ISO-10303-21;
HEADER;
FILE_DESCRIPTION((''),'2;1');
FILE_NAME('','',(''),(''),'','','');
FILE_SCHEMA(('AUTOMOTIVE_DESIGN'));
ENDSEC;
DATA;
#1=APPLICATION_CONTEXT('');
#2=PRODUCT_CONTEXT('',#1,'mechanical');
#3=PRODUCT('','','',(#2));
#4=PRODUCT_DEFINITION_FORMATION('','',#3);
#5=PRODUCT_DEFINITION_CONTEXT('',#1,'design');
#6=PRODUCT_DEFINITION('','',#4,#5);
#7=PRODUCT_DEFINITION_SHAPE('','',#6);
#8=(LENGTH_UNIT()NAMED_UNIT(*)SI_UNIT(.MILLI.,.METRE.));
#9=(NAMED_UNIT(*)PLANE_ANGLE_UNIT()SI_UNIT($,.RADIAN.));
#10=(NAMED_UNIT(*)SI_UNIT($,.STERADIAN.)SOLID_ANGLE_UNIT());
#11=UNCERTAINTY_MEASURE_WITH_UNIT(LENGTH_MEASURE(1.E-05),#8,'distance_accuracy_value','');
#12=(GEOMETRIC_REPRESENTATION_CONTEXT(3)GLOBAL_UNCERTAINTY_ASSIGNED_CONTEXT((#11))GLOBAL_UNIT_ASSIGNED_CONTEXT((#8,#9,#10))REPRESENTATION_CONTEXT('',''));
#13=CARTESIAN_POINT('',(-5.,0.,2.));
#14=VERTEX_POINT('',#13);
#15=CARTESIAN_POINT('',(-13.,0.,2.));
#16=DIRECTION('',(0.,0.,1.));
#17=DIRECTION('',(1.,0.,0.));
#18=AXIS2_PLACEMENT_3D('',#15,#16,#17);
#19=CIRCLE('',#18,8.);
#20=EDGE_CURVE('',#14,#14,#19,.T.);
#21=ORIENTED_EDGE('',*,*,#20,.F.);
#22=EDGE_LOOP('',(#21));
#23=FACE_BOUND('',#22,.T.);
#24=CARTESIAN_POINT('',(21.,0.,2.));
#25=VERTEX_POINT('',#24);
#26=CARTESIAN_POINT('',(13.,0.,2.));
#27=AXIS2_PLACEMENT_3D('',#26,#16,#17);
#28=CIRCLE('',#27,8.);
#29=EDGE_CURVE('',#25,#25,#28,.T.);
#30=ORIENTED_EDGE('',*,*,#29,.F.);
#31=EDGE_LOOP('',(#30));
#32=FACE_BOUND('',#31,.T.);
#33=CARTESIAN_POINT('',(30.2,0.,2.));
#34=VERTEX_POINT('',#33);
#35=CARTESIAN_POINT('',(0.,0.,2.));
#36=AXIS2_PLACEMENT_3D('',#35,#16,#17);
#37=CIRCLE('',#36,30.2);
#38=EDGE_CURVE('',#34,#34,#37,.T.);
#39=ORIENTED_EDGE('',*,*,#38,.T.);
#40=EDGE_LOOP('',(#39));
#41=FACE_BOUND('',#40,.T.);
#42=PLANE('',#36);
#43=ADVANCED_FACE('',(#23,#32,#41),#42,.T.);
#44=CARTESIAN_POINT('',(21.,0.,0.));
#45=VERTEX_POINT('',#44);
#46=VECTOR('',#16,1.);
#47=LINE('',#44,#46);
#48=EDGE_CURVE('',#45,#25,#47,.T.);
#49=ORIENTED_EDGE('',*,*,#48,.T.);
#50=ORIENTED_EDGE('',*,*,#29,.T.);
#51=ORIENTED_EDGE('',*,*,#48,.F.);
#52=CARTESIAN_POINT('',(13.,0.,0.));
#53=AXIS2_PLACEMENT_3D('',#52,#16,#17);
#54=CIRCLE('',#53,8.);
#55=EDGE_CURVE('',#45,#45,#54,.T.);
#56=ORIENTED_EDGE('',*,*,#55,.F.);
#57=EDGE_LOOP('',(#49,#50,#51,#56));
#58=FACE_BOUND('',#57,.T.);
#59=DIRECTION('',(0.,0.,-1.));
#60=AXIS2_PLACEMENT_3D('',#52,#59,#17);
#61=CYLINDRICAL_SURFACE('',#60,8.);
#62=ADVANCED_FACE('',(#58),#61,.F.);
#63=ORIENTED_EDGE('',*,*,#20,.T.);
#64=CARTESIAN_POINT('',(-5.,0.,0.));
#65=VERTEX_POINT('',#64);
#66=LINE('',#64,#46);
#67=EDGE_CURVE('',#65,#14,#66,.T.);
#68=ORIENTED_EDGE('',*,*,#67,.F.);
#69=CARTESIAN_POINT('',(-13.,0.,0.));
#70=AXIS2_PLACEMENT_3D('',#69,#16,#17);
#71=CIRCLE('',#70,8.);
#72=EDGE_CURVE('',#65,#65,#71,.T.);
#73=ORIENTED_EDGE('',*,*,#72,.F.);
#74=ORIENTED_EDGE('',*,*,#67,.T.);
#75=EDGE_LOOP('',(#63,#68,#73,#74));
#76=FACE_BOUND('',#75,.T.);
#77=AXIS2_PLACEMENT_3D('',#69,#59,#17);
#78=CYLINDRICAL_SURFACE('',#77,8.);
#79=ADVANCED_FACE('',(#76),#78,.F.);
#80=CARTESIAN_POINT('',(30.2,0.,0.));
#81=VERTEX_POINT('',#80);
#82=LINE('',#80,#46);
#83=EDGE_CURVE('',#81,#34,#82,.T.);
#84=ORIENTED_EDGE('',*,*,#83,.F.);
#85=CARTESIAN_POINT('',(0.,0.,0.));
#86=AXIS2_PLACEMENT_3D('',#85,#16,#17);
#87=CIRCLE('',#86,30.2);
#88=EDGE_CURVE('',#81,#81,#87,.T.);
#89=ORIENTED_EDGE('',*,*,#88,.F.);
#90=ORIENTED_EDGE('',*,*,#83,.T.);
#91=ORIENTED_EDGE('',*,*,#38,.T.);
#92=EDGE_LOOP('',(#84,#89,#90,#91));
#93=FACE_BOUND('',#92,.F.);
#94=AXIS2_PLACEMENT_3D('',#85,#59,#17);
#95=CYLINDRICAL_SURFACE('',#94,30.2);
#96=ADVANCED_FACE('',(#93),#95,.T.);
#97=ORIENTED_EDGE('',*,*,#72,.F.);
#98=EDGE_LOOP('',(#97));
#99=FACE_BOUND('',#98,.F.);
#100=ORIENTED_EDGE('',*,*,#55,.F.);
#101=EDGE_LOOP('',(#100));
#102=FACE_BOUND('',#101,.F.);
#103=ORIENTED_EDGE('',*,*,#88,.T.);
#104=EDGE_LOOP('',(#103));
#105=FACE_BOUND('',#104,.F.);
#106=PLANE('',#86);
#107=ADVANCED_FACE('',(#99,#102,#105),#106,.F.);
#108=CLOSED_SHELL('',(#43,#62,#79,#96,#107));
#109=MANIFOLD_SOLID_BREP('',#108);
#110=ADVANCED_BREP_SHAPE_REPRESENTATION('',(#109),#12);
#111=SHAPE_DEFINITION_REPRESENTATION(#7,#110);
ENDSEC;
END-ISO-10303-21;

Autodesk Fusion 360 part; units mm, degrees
sketch "Sketch1" plane through (0, 0, 0) normal (0, 0, 1) x (1, 0, 0)
  circle A0 centre (0, 0) radius 30.2
  line L0 (0, 0) -> (13, 0) construction
  circle A1 centre (13, 0) radius 8
  line L1 (0, 0) -> (0, 6.6641) construction
  circle A2 centre (-13, 0) radius 8
  dimension "d1" = 60.4
  dimension "d2" = 13
  dimension "d3" = 16
extrude "Extrude1" add sketch "Sketch1" along normal blind 2
equation "d2 = 5 mm + 8 mm"
